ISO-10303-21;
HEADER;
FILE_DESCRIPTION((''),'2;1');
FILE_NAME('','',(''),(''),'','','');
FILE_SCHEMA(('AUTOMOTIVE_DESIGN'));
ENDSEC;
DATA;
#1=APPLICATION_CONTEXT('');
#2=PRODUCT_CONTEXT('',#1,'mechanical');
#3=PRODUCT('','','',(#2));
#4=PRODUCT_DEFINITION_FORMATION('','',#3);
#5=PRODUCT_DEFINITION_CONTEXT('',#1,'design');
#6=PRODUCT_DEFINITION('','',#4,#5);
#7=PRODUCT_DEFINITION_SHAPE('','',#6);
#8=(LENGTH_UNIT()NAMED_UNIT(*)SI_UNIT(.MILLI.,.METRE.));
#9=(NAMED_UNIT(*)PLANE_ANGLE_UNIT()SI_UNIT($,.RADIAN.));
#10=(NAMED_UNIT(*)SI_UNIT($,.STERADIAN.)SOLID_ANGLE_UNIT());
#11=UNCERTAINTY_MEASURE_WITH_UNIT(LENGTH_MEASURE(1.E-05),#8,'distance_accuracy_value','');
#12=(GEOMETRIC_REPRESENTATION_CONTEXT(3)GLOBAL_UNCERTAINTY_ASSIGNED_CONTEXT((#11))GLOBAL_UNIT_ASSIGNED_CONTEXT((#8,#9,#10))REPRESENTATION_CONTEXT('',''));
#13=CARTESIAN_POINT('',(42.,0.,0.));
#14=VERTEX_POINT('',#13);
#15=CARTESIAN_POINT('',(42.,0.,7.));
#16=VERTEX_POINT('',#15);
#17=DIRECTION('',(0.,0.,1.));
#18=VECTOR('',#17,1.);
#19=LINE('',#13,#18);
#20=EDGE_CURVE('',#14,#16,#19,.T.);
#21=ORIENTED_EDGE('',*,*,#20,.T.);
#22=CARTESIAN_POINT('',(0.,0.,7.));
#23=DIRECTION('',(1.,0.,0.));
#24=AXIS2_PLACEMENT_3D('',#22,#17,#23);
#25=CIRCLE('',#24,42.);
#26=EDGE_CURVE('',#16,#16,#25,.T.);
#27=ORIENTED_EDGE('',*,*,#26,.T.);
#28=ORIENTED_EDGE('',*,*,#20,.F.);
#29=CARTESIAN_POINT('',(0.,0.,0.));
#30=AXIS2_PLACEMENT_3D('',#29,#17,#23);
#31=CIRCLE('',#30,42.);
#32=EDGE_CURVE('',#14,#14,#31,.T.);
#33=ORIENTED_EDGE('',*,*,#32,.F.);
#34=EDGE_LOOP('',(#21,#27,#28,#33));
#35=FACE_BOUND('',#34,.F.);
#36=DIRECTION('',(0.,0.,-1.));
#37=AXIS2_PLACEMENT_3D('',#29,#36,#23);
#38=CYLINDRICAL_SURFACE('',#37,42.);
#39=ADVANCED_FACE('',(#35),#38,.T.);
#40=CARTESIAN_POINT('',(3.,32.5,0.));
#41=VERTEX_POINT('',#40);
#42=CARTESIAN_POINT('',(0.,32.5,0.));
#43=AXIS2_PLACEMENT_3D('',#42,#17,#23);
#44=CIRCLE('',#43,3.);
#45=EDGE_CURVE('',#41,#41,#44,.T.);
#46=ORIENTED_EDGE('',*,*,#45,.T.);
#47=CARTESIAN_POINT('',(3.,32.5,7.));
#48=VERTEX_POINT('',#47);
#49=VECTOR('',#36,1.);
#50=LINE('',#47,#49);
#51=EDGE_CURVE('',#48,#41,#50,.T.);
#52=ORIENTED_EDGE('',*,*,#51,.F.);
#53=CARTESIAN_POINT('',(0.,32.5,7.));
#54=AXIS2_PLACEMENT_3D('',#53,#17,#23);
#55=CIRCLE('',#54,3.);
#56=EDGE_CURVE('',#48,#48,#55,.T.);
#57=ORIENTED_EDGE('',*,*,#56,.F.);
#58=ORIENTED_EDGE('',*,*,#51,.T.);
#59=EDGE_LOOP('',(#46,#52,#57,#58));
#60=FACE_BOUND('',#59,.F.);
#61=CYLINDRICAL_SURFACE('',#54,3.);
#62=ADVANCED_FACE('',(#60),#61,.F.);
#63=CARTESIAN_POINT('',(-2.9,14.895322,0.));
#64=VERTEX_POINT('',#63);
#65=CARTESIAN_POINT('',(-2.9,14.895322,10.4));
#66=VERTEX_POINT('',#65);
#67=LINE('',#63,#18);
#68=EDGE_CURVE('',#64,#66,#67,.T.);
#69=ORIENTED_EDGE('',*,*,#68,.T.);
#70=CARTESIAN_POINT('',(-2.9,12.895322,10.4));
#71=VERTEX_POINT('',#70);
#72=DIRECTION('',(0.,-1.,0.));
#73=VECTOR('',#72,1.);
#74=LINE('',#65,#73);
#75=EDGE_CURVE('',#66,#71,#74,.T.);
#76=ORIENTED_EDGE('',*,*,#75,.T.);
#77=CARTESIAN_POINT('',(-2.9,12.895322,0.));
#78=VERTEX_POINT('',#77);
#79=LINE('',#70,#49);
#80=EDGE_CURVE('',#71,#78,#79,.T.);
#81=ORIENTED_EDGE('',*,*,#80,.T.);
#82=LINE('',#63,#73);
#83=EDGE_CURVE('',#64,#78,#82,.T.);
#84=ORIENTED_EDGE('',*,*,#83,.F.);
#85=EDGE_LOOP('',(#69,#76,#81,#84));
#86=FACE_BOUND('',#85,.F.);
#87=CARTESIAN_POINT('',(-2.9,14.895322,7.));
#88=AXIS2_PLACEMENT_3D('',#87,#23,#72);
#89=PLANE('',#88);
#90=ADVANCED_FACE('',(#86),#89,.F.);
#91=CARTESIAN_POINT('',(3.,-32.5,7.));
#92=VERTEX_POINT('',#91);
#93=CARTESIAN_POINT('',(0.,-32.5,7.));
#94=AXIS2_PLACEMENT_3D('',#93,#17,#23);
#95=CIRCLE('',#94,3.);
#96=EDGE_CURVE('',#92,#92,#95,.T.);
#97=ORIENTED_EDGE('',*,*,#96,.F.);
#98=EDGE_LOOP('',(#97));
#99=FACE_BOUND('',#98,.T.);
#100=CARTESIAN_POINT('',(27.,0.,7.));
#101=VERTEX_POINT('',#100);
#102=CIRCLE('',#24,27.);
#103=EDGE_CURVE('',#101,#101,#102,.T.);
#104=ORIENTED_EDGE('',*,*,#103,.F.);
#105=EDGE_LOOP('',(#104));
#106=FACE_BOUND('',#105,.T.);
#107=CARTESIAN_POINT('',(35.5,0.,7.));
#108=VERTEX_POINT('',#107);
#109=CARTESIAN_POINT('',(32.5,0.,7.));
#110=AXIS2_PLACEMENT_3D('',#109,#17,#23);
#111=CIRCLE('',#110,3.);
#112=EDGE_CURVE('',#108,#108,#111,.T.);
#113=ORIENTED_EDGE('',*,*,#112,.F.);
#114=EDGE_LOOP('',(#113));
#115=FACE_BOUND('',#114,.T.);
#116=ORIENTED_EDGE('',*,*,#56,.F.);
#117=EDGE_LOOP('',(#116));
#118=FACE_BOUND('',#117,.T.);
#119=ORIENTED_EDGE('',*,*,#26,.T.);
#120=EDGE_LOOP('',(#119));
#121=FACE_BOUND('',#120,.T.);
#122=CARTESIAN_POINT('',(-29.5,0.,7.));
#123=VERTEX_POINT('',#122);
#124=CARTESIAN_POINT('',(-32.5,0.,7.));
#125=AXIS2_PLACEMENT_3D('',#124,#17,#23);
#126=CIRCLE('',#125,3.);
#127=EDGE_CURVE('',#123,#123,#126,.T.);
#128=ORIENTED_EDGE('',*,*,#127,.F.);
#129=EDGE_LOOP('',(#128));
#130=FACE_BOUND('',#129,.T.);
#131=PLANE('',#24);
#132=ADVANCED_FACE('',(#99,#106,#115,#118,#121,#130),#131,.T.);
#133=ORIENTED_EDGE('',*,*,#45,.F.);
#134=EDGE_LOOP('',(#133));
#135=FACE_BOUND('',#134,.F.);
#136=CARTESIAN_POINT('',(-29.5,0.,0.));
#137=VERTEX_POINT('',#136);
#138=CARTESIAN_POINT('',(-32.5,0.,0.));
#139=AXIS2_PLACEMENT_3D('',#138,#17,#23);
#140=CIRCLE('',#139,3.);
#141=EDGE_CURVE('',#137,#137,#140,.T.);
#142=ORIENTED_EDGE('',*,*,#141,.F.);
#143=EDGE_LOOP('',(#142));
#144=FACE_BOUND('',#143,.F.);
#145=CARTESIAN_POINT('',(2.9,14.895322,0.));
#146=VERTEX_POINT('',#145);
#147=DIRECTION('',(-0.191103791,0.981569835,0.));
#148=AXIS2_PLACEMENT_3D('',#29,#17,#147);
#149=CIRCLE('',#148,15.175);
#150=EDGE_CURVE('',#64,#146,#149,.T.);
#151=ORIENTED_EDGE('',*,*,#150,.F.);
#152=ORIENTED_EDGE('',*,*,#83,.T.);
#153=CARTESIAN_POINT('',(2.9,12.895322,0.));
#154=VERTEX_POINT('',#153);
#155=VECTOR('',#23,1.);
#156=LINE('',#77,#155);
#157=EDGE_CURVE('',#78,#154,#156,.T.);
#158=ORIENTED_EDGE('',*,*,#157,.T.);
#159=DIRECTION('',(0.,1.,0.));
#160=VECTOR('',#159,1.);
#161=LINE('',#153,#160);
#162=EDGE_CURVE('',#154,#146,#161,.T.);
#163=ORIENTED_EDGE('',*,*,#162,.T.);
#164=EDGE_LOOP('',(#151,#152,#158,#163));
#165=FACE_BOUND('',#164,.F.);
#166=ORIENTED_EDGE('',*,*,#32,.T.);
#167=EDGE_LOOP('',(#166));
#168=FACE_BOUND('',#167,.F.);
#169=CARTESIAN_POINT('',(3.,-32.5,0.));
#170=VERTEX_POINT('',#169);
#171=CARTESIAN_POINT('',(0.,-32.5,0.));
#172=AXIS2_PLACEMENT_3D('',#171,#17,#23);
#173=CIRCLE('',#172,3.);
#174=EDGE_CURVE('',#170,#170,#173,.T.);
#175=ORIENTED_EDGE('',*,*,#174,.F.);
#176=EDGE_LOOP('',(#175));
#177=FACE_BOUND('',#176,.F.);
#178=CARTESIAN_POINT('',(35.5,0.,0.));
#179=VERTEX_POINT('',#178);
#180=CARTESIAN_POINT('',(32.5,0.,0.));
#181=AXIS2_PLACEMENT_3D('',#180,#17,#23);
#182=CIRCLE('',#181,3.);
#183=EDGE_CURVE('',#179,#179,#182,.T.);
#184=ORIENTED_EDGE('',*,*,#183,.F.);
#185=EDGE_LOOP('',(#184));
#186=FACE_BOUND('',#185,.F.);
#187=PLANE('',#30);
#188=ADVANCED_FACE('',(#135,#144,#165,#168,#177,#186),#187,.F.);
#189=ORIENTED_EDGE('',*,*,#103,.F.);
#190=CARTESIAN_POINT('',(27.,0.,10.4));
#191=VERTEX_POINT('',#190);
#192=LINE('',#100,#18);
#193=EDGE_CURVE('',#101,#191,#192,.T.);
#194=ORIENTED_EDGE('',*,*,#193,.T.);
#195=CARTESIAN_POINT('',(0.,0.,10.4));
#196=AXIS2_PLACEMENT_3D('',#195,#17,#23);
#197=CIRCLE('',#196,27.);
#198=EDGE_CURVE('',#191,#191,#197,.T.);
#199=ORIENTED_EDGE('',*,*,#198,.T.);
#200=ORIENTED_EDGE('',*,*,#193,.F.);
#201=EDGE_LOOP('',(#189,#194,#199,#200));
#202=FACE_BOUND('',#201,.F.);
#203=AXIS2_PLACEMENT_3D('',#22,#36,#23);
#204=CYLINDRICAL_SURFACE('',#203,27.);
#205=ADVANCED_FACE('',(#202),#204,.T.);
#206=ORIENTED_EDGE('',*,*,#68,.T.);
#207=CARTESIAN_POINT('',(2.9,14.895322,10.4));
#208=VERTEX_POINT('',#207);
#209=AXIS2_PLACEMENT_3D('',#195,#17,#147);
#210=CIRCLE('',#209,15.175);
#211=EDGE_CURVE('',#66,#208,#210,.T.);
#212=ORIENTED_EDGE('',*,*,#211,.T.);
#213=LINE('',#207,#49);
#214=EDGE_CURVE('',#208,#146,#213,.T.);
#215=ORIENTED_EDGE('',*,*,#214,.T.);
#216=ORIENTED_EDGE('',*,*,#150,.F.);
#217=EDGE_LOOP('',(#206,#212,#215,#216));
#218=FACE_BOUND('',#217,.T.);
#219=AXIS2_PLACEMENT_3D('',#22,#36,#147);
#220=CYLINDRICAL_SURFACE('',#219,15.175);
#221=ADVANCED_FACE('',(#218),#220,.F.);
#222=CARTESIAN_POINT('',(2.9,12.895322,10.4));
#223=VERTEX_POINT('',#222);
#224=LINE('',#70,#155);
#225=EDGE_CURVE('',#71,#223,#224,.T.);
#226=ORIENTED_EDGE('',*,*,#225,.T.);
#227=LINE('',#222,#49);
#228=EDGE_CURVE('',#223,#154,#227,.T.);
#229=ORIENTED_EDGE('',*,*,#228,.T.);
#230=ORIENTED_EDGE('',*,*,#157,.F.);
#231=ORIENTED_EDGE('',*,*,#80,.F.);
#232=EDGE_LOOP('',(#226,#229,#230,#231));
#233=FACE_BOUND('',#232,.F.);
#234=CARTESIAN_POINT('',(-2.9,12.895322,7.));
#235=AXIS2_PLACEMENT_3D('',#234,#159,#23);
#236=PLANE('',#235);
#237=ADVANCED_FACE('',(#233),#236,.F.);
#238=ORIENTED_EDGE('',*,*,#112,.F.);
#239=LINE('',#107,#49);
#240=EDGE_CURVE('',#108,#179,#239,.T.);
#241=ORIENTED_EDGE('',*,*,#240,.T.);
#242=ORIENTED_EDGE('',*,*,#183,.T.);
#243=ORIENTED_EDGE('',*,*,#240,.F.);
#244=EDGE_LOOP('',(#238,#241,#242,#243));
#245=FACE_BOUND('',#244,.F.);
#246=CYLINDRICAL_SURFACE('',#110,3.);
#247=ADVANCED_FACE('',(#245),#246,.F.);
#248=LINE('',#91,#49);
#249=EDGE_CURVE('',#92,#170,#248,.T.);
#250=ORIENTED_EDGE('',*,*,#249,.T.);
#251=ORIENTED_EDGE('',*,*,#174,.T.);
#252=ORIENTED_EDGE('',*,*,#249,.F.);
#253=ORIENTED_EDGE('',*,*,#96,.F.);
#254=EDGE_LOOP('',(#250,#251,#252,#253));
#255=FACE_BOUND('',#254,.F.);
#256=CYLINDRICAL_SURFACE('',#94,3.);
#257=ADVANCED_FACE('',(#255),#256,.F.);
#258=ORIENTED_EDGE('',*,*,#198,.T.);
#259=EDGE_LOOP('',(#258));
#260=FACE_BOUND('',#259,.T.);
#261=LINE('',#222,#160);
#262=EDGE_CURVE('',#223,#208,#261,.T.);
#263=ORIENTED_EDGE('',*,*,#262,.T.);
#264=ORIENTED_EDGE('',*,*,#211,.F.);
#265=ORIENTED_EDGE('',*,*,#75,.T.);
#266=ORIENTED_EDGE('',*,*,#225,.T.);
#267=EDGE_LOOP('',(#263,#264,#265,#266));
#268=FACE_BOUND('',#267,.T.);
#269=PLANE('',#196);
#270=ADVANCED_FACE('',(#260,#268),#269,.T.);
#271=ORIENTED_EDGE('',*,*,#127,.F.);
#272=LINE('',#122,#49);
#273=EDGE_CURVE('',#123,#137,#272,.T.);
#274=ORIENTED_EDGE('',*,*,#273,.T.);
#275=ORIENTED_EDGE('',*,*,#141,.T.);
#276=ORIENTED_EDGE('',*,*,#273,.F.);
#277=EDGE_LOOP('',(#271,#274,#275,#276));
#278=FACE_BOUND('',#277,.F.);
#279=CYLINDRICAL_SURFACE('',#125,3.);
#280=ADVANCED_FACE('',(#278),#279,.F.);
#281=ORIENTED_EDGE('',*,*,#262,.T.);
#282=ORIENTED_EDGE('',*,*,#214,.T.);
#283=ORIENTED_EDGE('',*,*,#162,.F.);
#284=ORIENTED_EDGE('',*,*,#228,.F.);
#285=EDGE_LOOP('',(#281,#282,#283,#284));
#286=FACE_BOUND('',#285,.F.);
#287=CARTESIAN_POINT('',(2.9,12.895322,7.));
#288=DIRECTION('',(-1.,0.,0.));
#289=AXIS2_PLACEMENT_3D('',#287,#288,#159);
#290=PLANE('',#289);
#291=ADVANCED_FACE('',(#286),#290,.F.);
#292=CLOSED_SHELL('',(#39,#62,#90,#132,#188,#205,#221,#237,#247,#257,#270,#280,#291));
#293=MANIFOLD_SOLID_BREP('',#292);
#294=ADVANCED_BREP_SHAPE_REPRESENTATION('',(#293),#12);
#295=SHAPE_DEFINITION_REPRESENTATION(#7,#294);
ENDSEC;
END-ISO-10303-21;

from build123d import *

# Parameters (mm, degrees)
SKETCH_R     = 42
PAD_DEPTH    = 7
SKETCH003_R  = 27
PAD001_DEPTH = 3.4
SKETCH004_R  = 3
HOLE_DEPTH   = 25


with BuildPart() as part:
    # Sketch → Pad (new body)
    with BuildSketch(Plane.XY):
        Circle(SKETCH_R)
        with BuildLine():
            Line((-2.9, 14.895322), (-2.9, 12.895322))
            Line((-2.9, 12.895322), (2.9, 12.895322))
            Line((2.9, 12.895322), (2.9, 14.895322))
            ThreePointArc((-2.9, 14.895322), (0, -15.175), (2.9, 14.895322))
        make_face(mode=Mode.SUBTRACT)
    extrude(amount=PAD_DEPTH)

    # Sketch003 (on Face7 of Pad) → Pad001 (join)
    with BuildSketch(Plane.XY.offset(7)):
        Circle(SKETCH003_R)
        with BuildLine():
            ThreePointArc((-2.9, 14.895322), (0, -15.175), (2.9, 14.895322))
            Line((2.9, 12.895322), (2.9, 14.895322))
            Line((-2.9, 12.895322), (2.9, 12.895322))
            Line((-2.9, 14.895322), (-2.9, 12.895322))
        make_face(mode=Mode.SUBTRACT)
    extrude(amount=PAD001_DEPTH)

    # Sketch004 (on Face3 of Pad001) → Hole (cut)
    with BuildSketch(Plane.XY.offset(7)):
        with Locations((0, 32.5)):
            Circle(SKETCH004_R)
        with Locations((0, -32.5)):
            Circle(SKETCH004_R)
        with Locations((32.5, 0)):
            Circle(SKETCH004_R)
        with Locations((-32.5, 0)):
            Circle(SKETCH004_R)
    extrude(amount=-HOLE_DEPTH, mode=Mode.SUBTRACT)


solid = part.part
